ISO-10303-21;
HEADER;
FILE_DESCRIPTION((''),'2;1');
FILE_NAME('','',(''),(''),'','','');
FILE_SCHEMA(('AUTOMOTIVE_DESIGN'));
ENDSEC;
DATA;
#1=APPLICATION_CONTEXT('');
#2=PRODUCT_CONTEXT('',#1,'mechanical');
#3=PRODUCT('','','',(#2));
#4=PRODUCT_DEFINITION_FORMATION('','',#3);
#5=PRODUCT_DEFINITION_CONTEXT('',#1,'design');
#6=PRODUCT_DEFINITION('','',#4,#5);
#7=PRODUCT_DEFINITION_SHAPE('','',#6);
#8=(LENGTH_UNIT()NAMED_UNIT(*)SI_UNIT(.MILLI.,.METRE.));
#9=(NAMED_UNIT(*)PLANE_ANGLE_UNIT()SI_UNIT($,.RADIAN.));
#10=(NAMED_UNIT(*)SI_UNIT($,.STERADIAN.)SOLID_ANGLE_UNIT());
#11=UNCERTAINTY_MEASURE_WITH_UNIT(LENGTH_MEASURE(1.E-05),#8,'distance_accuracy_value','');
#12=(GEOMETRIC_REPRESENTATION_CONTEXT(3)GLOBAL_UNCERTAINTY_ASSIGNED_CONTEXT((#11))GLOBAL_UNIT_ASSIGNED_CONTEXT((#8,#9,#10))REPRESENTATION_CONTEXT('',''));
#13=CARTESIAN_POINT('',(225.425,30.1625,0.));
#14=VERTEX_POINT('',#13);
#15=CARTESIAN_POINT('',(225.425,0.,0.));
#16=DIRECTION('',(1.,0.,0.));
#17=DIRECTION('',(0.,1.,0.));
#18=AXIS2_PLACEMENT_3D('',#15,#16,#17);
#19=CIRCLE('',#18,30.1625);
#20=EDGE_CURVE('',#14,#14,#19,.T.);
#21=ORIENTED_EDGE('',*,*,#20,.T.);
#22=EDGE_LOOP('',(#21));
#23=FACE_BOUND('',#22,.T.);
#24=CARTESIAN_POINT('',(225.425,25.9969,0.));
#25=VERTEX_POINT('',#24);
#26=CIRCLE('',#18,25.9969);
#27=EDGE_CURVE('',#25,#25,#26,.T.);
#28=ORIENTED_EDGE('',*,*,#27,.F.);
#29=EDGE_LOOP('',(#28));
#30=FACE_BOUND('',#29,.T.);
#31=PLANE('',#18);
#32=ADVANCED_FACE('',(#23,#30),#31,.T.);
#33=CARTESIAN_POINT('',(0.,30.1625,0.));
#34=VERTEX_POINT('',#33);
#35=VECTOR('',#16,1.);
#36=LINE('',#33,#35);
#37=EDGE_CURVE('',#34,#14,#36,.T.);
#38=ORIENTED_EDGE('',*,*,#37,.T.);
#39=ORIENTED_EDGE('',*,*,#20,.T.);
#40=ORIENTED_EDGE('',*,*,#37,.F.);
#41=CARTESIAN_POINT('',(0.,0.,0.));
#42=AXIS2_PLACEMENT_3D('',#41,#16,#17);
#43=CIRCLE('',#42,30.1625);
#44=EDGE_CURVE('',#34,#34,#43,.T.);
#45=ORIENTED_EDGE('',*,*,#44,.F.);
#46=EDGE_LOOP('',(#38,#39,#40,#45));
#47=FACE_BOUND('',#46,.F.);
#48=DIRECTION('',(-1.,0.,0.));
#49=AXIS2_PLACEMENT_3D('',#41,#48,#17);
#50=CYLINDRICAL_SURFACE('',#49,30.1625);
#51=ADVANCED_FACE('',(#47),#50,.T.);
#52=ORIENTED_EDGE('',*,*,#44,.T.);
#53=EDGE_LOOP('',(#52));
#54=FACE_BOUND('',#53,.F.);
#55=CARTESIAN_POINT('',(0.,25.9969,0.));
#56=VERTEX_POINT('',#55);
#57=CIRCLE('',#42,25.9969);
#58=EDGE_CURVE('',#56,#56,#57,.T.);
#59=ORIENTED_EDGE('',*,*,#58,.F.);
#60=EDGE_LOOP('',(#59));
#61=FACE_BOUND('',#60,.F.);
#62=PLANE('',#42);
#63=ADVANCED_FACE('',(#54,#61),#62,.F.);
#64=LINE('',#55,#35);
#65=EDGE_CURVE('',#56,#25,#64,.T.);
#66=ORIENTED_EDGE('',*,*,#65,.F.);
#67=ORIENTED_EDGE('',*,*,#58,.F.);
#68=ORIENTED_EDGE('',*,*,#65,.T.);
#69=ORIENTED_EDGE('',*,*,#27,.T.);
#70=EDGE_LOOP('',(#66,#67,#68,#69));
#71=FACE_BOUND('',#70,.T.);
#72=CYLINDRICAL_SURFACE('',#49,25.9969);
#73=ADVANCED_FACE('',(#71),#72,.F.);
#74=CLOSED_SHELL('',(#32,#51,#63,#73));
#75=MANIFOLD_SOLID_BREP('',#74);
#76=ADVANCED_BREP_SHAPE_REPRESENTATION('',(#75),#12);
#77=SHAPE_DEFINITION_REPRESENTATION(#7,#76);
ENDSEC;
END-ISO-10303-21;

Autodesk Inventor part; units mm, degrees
ref_plane "YZ Plane" through (0, 0, 0) normal (1, 0, 0) x (0, 1, 0)
ref_plane "XZ Plane" through (0, 0, 0) normal (0, 1, 0) x (-1, 0, 0)
ref_plane "XY Plane" through (0, 0, 0) normal (0, 0, 1) x (1, 0, 0)
sketch "Sketch1" plane through (0, 0, 0) normal (1, 0, 0) x (0, 1, 0)
  circle A0 centre (0, 0) radius 25.9969
  circle A1 centre (0, 0) radius 30.1625
  dimension "d0" = 51.9938
  dimension "d1" = 60.325
extrude "Extrusion1" add sketch "Sketch1" along normal blind 225.425
properties part number "2in roller front"
